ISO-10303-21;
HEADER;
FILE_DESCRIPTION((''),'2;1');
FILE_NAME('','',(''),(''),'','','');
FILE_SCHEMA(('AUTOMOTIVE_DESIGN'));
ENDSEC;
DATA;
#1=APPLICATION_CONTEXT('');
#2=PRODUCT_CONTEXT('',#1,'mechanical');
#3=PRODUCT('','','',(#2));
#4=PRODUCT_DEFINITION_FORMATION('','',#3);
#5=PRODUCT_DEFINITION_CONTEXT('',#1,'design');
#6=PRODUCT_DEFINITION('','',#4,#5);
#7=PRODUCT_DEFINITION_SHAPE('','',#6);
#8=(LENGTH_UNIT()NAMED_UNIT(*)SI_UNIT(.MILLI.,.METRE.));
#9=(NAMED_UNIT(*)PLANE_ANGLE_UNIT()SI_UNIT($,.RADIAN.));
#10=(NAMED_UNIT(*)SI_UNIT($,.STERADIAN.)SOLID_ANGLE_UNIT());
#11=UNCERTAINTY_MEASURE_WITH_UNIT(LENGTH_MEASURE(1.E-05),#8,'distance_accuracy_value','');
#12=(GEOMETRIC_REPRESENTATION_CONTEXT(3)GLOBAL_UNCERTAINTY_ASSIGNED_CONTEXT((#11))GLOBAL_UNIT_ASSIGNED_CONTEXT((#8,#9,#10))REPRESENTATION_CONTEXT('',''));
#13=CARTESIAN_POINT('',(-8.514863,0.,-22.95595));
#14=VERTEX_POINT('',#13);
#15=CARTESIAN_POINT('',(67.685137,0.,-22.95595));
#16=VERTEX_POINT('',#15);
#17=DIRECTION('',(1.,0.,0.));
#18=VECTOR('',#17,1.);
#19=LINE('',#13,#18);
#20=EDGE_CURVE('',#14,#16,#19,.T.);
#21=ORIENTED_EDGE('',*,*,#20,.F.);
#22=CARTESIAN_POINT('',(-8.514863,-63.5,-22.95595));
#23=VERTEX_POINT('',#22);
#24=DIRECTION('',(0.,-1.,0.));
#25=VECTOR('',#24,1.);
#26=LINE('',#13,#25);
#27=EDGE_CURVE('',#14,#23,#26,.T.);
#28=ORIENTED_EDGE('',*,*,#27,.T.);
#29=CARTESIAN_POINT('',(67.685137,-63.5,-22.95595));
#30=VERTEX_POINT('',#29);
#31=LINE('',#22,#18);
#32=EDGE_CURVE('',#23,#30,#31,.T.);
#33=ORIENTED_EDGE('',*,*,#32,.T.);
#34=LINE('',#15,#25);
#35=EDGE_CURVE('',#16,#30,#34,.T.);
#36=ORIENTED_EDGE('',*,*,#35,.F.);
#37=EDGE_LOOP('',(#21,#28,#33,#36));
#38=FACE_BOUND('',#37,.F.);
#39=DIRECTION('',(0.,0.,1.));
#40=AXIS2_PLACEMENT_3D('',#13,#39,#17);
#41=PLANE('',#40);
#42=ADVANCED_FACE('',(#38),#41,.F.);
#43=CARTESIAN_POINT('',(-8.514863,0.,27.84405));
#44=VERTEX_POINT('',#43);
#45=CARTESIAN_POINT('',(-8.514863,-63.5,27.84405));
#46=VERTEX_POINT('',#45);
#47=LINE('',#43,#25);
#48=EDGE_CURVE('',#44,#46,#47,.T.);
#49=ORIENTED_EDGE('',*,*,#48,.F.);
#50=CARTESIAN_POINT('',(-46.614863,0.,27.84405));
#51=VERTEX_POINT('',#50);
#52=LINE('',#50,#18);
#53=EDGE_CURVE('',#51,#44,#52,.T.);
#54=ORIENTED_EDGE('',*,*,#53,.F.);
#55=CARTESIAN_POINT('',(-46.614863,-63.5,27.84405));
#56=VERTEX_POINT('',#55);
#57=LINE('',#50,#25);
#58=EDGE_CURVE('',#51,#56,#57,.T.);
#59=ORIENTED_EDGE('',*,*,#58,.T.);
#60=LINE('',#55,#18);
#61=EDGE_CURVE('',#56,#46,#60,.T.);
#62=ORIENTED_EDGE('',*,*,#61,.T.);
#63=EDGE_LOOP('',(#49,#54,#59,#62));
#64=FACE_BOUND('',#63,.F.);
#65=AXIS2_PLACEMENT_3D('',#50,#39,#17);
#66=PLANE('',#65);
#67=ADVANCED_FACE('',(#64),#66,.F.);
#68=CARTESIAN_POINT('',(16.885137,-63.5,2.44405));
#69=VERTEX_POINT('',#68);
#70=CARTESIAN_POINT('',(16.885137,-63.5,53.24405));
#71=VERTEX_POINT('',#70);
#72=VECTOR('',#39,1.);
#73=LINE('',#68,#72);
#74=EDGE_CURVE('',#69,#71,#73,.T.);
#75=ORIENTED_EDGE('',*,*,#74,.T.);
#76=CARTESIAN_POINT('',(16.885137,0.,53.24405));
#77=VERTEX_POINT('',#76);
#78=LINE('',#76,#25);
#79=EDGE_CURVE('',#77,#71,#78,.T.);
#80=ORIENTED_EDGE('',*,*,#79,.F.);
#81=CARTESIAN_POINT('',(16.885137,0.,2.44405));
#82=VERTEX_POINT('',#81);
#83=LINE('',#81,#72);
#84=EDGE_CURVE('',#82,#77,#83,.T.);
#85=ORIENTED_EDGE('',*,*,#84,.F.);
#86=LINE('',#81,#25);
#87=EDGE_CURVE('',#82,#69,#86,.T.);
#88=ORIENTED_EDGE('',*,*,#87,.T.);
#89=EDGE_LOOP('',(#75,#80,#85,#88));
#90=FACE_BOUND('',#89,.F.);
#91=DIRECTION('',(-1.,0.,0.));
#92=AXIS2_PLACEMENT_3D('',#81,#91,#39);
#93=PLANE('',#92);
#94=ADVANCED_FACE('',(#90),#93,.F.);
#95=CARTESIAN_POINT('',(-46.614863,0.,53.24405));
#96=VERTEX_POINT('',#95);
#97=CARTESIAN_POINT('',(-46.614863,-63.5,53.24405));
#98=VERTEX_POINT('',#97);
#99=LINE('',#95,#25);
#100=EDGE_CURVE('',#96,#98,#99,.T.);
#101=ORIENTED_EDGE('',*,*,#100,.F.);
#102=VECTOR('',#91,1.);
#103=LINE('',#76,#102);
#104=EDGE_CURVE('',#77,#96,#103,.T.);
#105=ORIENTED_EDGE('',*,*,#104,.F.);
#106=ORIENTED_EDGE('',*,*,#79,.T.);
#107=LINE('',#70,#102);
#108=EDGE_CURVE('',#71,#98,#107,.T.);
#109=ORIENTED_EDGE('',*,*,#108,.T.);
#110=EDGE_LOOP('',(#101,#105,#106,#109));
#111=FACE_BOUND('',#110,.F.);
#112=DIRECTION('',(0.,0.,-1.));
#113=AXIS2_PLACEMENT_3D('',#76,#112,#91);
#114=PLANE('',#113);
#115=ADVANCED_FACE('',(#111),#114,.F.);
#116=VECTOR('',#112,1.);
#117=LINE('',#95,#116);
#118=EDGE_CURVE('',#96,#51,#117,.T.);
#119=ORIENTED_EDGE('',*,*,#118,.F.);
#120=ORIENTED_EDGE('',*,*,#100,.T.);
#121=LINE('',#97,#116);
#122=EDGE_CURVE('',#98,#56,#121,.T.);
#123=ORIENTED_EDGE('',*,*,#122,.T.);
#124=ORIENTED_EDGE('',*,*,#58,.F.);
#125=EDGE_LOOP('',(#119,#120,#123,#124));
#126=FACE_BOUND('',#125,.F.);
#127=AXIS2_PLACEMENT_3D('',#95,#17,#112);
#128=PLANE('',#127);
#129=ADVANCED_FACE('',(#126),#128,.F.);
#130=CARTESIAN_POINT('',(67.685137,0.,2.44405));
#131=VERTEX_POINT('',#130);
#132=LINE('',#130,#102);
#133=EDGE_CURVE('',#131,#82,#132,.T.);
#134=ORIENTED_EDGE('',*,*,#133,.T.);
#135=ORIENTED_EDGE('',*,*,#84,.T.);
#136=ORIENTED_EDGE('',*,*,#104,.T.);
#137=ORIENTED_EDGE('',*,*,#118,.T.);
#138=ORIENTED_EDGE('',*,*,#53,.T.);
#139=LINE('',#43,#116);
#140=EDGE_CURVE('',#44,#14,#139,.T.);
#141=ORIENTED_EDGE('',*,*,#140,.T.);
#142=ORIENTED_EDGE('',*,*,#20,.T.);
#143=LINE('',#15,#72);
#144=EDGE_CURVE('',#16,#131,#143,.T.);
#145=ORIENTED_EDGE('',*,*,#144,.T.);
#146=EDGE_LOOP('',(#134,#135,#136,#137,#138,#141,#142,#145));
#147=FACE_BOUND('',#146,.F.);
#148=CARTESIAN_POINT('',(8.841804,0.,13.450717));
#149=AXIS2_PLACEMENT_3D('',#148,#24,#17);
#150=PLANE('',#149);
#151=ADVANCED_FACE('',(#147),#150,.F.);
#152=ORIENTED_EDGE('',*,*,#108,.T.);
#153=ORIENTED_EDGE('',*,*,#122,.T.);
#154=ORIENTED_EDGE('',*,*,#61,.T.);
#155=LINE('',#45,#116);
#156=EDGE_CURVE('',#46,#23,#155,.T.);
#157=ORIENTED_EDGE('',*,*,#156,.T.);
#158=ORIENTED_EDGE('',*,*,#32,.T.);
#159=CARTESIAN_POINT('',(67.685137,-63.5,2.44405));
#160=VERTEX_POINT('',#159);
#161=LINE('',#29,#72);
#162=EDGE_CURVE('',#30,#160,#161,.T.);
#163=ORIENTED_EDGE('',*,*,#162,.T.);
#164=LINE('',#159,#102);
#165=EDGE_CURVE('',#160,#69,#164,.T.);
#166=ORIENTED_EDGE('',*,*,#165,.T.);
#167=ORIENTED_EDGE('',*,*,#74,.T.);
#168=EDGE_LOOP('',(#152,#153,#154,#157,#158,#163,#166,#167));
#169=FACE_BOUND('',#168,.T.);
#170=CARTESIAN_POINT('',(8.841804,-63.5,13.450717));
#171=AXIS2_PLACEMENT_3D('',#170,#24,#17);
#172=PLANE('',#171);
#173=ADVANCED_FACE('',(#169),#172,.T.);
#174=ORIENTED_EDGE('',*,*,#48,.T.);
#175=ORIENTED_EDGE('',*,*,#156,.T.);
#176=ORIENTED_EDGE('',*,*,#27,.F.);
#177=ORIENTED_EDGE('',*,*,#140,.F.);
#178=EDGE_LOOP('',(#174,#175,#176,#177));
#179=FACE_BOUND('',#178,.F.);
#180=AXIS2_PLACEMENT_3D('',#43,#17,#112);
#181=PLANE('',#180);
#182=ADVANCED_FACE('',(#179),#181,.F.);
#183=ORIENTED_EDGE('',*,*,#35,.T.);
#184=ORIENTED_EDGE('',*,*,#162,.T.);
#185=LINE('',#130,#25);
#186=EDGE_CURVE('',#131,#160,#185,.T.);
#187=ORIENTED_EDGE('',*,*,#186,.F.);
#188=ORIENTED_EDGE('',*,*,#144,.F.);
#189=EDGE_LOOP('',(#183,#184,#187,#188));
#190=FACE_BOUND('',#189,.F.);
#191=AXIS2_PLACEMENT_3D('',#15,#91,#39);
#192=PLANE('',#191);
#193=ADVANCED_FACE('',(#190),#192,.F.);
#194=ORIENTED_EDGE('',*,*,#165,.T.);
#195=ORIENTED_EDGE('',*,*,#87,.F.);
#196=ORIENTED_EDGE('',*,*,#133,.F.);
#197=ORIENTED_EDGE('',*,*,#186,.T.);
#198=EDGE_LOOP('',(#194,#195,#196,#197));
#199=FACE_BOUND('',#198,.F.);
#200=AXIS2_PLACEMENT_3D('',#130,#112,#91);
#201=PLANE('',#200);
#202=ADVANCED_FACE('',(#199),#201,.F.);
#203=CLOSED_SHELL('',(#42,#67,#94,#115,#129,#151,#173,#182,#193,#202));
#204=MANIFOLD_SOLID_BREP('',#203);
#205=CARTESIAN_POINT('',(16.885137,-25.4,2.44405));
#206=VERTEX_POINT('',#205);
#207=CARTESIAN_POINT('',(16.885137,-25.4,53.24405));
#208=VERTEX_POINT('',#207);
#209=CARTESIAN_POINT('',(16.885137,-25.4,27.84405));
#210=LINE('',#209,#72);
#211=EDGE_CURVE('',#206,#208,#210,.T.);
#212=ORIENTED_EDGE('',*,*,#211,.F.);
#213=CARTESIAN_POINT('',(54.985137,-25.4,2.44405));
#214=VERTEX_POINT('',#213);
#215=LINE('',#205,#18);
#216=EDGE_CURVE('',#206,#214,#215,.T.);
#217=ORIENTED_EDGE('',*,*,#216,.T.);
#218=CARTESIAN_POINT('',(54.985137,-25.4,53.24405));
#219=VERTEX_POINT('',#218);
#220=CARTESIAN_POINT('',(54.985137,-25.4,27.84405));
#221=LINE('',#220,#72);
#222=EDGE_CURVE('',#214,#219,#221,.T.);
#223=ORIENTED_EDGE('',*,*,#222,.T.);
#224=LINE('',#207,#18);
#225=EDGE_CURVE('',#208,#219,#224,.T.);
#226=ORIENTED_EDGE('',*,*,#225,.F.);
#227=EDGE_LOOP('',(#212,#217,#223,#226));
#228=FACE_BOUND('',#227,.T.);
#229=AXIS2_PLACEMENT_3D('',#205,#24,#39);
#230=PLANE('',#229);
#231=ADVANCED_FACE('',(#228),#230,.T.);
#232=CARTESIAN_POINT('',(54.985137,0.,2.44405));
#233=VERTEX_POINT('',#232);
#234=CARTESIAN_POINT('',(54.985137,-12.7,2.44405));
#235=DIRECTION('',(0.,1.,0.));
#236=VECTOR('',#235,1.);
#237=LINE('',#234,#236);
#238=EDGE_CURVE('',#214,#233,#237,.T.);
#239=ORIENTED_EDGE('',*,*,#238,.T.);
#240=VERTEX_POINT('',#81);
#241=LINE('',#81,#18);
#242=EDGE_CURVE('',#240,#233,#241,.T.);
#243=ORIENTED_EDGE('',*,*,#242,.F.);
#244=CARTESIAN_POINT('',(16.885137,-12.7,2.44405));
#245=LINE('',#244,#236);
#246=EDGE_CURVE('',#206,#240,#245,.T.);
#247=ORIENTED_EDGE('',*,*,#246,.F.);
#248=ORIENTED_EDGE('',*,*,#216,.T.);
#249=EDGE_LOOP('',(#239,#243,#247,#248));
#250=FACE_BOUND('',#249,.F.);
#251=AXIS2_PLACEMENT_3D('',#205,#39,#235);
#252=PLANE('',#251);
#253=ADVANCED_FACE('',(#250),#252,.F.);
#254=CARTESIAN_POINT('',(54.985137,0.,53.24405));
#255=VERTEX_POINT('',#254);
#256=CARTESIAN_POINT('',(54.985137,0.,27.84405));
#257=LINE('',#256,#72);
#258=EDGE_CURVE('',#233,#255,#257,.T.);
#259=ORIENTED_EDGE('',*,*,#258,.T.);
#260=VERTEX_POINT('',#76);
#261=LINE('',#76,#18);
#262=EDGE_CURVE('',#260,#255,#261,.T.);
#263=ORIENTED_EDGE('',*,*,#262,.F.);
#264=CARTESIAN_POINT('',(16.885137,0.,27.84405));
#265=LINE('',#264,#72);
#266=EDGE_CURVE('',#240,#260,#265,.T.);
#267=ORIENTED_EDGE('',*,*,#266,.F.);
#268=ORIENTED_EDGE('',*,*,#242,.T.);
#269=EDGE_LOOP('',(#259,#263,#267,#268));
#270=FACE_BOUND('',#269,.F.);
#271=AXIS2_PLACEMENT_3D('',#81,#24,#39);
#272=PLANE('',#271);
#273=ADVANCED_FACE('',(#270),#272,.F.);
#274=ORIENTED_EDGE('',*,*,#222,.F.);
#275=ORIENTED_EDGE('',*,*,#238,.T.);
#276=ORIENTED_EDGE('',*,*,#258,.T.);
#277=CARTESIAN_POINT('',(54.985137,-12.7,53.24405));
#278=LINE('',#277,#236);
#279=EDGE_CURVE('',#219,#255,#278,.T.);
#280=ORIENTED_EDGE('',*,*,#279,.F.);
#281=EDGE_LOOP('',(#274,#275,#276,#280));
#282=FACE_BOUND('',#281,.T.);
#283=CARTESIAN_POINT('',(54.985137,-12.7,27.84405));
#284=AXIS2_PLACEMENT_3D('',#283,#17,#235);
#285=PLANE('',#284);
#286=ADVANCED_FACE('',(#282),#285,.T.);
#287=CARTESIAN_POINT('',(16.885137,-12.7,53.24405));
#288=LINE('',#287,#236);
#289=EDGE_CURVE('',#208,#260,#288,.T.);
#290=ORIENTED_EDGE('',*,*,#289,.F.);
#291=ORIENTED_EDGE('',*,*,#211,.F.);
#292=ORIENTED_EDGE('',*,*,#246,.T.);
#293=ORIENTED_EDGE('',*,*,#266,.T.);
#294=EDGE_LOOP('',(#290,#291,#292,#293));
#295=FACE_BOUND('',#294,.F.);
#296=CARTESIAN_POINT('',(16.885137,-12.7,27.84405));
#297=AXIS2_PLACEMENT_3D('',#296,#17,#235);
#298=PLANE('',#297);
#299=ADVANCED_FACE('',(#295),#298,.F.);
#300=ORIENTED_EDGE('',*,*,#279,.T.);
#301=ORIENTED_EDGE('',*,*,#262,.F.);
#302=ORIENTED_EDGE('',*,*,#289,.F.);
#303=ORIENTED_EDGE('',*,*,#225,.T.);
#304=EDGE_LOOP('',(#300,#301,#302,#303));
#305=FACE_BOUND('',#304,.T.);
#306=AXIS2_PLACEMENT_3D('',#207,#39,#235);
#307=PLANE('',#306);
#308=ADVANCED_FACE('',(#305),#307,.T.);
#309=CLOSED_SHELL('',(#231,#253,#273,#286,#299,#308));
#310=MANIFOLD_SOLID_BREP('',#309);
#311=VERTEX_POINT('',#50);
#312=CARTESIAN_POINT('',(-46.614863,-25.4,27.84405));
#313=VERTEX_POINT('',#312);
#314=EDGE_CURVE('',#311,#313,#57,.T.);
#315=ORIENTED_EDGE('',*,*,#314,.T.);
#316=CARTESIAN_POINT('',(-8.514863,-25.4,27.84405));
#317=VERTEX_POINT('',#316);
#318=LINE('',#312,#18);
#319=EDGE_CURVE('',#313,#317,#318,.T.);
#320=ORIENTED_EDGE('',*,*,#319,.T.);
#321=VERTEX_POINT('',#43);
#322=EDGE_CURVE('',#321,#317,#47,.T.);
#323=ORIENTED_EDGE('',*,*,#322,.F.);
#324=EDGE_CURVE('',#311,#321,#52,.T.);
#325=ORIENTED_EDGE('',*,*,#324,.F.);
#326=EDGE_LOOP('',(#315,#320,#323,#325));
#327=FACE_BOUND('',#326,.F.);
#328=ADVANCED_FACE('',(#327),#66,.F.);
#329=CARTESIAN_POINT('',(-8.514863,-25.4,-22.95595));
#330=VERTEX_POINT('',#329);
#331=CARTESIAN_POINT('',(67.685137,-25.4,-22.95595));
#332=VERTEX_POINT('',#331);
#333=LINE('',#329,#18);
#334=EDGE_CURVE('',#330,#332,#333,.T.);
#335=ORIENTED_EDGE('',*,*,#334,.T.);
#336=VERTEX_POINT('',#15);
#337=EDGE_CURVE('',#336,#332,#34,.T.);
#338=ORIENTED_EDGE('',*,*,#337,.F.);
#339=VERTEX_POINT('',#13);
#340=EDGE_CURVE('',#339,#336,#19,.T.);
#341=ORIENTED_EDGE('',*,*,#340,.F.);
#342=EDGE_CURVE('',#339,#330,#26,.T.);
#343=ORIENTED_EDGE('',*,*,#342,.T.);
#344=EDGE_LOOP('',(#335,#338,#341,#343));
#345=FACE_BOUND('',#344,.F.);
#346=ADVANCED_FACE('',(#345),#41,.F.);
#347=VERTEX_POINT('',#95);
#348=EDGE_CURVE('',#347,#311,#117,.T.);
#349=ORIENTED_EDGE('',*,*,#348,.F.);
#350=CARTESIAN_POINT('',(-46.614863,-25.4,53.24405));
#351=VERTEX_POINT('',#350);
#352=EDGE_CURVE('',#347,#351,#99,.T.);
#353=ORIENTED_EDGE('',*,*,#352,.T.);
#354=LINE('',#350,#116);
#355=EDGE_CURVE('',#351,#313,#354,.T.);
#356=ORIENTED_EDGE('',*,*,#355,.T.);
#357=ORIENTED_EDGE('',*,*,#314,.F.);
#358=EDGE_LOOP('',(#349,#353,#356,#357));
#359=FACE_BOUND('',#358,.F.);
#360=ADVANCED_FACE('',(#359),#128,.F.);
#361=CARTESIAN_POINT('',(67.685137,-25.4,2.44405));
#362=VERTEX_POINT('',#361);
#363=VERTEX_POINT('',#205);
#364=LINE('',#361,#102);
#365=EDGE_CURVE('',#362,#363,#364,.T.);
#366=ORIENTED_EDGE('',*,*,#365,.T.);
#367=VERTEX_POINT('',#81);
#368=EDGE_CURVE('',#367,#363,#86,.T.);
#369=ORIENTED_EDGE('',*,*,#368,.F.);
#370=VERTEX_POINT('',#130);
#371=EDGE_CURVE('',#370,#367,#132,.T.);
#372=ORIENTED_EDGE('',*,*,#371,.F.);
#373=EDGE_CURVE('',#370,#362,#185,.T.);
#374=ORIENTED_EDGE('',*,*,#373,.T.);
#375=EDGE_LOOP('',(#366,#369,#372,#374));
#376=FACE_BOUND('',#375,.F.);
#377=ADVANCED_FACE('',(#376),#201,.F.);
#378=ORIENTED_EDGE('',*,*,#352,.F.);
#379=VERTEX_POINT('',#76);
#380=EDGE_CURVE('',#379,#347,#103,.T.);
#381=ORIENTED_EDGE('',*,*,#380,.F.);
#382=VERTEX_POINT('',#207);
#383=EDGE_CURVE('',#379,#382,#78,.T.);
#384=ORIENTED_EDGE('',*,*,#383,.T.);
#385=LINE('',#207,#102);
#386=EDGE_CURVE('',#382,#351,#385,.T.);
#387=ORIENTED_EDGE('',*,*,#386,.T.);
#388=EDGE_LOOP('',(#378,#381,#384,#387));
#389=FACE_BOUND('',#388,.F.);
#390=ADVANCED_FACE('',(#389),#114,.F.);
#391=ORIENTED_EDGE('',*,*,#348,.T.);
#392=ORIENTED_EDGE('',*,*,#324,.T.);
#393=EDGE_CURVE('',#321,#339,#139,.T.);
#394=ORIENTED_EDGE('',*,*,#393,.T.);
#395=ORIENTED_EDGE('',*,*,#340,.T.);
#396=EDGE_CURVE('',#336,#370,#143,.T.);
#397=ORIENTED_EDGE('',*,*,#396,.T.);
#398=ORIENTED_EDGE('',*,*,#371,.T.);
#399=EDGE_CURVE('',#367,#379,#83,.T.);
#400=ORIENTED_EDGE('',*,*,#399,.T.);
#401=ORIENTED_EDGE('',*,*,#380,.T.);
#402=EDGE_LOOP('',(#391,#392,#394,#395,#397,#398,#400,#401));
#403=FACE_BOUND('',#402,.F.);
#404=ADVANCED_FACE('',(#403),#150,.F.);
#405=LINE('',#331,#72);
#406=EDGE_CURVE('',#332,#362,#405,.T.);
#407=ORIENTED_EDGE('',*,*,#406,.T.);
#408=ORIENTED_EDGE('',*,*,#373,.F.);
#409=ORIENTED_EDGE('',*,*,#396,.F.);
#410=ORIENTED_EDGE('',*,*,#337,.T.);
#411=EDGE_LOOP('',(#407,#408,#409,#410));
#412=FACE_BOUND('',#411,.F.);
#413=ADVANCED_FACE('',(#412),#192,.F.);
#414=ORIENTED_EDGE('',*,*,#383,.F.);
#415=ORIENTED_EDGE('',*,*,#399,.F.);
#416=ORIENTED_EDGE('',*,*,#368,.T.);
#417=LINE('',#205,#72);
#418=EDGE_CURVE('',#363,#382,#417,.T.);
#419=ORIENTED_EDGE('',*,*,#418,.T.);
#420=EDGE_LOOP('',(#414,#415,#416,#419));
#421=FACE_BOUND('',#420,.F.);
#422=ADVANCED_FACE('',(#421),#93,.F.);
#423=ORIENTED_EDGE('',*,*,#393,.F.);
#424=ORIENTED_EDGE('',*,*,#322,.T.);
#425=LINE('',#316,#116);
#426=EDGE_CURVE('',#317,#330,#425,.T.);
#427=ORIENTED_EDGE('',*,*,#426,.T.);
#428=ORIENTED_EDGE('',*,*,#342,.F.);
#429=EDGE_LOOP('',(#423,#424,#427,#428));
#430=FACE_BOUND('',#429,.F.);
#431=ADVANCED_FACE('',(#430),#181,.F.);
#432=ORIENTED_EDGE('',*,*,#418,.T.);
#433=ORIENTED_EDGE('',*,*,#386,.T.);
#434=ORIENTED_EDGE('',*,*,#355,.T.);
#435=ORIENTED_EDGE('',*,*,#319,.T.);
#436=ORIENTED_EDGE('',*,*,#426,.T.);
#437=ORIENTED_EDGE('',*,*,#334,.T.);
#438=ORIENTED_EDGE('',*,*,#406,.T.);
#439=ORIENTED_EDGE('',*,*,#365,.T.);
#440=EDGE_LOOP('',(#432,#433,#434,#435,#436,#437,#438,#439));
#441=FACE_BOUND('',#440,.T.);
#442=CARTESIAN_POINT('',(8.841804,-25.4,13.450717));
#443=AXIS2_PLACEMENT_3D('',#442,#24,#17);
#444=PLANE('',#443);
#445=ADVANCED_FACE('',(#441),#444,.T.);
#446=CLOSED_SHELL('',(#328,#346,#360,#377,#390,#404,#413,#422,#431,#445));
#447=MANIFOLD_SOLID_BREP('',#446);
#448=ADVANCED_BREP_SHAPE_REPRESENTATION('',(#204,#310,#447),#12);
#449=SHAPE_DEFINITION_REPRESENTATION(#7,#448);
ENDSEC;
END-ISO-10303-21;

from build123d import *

# Parameters (mm, degrees)
F1_DEPTH = 63.5
F2_DEPTH = 25.4
F3_W     = 25.4
F3_H     = 50.8
F4_DEPTH = 38.1


with BuildPart() as f1:
    # F0 (on Front) → F1 (new body)
    with BuildSketch(Plane.XZ):
        Polygon((16.885137, 53.24405), (-46.614863, 53.24405), (-46.614863, 27.84405), (-8.514863, 27.84405), (-8.514863, -22.95595), (67.685137, -22.95595), (67.685137, 2.44405), (16.885137, 2.44405), align=None)
    extrude(amount=F1_DEPTH)


with BuildPart() as f2:
    # F0 (on Front) → F2 (new body)
    with BuildSketch(Plane.XZ):
        Polygon((16.885137, 53.24405), (-46.614863, 53.24405), (-46.614863, 27.84405), (-8.514863, 27.84405), (-8.514863, -22.95595), (67.685137, -22.95595), (67.685137, 2.44405), (16.885137, 2.44405), align=None)
    extrude(amount=F2_DEPTH)


with BuildPart() as f4:
    # F3 (on face) → F4 (new body)
    with BuildSketch(Plane.YZ.offset(16.885137)):
        with Locations((-12.7, 27.84405)):
            Rectangle(F3_W, F3_H)
    extrude(amount=F4_DEPTH)


solid = Compound([f1.part, f2.part, f4.part])
